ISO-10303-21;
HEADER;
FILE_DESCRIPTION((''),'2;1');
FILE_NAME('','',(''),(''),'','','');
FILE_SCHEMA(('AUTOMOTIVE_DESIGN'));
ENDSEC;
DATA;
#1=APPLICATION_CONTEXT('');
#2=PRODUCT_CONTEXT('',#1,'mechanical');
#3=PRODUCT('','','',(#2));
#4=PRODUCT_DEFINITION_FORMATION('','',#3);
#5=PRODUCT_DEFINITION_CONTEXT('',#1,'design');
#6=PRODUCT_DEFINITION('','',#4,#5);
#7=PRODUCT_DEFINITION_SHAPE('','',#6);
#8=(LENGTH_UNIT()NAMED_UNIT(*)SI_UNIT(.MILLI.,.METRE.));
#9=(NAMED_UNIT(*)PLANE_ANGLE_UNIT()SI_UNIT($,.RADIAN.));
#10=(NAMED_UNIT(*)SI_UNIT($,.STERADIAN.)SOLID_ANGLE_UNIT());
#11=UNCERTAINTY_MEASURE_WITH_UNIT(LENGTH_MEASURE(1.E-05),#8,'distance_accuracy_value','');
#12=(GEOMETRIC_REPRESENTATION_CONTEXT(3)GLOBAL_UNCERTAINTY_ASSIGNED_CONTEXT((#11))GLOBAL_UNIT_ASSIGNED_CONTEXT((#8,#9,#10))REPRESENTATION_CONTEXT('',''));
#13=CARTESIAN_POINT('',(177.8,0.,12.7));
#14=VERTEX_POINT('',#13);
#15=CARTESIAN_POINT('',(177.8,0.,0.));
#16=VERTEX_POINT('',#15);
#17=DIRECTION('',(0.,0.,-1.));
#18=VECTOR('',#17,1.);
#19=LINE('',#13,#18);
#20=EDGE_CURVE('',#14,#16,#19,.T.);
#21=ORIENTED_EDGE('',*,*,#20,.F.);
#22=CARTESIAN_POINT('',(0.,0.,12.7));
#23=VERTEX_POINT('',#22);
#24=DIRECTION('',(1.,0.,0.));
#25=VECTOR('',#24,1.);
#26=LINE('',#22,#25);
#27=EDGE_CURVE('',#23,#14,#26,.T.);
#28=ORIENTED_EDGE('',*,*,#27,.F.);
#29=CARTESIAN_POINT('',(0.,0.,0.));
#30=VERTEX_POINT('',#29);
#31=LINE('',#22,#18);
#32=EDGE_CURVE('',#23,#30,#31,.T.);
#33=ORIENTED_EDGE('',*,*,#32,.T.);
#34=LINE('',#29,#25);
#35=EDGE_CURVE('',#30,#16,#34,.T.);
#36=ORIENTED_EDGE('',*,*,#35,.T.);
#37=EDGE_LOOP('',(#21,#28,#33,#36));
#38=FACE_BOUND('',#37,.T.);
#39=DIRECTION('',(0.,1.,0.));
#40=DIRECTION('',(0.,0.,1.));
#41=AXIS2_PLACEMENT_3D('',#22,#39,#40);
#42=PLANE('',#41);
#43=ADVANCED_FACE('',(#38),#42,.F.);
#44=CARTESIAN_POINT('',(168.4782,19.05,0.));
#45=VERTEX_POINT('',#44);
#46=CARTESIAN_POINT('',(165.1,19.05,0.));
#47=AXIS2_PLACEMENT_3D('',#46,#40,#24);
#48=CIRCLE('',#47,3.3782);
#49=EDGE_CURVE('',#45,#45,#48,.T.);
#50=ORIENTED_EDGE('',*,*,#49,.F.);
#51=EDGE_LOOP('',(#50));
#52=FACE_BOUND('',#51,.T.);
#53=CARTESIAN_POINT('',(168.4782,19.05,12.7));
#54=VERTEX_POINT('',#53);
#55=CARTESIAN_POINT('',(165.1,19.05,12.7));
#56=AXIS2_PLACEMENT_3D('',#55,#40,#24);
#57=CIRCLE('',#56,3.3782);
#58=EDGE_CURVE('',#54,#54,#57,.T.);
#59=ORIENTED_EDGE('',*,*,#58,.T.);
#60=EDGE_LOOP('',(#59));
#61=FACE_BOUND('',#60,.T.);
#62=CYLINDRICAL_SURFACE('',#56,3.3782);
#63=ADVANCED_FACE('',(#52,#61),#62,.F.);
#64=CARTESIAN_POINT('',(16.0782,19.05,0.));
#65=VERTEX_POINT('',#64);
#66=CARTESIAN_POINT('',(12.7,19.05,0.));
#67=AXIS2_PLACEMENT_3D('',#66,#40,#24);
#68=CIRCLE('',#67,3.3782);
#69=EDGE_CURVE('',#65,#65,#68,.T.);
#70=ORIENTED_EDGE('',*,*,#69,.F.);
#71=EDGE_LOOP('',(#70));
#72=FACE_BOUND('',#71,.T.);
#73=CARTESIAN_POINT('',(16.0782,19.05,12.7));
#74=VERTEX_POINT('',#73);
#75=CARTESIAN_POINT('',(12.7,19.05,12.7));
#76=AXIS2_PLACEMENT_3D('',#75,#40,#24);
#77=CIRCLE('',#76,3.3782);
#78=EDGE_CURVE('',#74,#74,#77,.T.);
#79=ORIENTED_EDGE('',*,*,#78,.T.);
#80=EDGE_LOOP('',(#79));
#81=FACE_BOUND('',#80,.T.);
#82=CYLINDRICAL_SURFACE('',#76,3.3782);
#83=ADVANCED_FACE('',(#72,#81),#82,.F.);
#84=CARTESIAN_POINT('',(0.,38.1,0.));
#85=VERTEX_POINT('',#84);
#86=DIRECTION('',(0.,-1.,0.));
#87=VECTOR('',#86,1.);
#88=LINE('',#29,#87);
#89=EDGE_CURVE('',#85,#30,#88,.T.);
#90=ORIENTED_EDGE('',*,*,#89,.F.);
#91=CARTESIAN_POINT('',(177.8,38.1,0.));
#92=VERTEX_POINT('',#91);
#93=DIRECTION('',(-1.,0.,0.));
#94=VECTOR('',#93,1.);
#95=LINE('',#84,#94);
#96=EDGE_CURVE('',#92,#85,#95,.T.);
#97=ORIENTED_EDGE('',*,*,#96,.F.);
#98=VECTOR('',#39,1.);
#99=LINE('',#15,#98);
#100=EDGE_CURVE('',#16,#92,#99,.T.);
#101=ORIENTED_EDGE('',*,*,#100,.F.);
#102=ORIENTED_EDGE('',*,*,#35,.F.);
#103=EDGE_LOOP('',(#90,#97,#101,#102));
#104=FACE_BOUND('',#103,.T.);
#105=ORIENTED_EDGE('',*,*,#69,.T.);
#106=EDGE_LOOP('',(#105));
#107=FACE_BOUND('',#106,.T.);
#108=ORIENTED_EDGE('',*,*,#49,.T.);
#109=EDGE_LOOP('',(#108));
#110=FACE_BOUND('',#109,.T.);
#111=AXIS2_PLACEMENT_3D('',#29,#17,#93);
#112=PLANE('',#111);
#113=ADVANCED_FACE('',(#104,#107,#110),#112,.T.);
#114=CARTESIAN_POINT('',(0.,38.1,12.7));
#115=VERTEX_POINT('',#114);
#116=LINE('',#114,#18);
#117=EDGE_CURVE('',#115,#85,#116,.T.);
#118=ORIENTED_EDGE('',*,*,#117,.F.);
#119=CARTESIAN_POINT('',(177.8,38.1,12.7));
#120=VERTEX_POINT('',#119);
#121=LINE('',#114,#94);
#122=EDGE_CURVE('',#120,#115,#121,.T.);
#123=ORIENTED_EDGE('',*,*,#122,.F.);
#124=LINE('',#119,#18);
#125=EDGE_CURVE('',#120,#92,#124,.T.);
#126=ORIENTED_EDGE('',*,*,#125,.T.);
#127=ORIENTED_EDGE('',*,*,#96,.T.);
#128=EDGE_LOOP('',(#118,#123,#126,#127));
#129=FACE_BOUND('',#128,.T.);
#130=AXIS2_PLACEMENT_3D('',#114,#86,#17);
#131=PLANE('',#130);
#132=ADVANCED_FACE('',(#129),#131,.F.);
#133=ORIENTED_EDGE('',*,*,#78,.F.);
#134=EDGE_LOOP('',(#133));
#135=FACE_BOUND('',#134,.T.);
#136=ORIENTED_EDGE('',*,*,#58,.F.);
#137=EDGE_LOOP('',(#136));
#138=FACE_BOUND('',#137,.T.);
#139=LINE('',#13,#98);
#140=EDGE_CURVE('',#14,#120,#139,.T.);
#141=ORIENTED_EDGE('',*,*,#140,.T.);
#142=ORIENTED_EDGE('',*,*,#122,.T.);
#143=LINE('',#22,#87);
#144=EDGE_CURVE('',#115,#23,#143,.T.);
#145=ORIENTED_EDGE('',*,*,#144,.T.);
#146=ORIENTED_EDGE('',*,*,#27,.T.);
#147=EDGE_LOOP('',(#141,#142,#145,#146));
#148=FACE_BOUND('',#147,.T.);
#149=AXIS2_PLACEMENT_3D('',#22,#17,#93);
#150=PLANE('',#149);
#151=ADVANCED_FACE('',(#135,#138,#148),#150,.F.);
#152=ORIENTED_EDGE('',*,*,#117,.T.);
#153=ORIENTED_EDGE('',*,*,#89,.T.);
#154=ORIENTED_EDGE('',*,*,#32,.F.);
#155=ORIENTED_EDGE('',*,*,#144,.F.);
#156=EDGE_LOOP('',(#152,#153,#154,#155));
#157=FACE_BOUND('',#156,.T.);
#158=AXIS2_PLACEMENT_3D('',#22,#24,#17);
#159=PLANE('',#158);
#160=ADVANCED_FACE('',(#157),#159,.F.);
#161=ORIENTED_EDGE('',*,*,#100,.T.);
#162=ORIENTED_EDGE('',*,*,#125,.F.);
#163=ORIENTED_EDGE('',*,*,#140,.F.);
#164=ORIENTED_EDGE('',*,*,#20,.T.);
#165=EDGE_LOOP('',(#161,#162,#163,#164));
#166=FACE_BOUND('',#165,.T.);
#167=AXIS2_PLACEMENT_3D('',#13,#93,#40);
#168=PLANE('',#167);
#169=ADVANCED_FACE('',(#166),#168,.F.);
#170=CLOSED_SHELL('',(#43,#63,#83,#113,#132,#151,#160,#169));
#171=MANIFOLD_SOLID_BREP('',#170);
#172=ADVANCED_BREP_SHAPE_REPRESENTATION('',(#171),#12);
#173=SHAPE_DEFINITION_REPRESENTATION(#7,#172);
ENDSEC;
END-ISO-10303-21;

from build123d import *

# Parameters (mm, degrees)
SKETCH1_W               = 177.8
SKETCH1_H               = 38.1
BOSS_EXTRUDE1_DEPTH     = 12.7
F_1_4_CLEARANCE_HOLE1_D = 6.7564


with BuildPart() as part:
    # Sketch1 → Boss-Extrude1 (new body)
    with BuildSketch(Plane.XY):
        with Locations((88.9, 19.05)):
            Rectangle(SKETCH1_W, SKETCH1_H)
    extrude(amount=BOSS_EXTRUDE1_DEPTH)

    # 1/4 Clearance Hole1 (through all)
    with Locations(Plane.XY.offset(12.7)):
        with Locations((12.7, 19.05), (165.1, 19.05)):
            Hole(F_1_4_CLEARANCE_HOLE1_D / 2)


solid = part.part
